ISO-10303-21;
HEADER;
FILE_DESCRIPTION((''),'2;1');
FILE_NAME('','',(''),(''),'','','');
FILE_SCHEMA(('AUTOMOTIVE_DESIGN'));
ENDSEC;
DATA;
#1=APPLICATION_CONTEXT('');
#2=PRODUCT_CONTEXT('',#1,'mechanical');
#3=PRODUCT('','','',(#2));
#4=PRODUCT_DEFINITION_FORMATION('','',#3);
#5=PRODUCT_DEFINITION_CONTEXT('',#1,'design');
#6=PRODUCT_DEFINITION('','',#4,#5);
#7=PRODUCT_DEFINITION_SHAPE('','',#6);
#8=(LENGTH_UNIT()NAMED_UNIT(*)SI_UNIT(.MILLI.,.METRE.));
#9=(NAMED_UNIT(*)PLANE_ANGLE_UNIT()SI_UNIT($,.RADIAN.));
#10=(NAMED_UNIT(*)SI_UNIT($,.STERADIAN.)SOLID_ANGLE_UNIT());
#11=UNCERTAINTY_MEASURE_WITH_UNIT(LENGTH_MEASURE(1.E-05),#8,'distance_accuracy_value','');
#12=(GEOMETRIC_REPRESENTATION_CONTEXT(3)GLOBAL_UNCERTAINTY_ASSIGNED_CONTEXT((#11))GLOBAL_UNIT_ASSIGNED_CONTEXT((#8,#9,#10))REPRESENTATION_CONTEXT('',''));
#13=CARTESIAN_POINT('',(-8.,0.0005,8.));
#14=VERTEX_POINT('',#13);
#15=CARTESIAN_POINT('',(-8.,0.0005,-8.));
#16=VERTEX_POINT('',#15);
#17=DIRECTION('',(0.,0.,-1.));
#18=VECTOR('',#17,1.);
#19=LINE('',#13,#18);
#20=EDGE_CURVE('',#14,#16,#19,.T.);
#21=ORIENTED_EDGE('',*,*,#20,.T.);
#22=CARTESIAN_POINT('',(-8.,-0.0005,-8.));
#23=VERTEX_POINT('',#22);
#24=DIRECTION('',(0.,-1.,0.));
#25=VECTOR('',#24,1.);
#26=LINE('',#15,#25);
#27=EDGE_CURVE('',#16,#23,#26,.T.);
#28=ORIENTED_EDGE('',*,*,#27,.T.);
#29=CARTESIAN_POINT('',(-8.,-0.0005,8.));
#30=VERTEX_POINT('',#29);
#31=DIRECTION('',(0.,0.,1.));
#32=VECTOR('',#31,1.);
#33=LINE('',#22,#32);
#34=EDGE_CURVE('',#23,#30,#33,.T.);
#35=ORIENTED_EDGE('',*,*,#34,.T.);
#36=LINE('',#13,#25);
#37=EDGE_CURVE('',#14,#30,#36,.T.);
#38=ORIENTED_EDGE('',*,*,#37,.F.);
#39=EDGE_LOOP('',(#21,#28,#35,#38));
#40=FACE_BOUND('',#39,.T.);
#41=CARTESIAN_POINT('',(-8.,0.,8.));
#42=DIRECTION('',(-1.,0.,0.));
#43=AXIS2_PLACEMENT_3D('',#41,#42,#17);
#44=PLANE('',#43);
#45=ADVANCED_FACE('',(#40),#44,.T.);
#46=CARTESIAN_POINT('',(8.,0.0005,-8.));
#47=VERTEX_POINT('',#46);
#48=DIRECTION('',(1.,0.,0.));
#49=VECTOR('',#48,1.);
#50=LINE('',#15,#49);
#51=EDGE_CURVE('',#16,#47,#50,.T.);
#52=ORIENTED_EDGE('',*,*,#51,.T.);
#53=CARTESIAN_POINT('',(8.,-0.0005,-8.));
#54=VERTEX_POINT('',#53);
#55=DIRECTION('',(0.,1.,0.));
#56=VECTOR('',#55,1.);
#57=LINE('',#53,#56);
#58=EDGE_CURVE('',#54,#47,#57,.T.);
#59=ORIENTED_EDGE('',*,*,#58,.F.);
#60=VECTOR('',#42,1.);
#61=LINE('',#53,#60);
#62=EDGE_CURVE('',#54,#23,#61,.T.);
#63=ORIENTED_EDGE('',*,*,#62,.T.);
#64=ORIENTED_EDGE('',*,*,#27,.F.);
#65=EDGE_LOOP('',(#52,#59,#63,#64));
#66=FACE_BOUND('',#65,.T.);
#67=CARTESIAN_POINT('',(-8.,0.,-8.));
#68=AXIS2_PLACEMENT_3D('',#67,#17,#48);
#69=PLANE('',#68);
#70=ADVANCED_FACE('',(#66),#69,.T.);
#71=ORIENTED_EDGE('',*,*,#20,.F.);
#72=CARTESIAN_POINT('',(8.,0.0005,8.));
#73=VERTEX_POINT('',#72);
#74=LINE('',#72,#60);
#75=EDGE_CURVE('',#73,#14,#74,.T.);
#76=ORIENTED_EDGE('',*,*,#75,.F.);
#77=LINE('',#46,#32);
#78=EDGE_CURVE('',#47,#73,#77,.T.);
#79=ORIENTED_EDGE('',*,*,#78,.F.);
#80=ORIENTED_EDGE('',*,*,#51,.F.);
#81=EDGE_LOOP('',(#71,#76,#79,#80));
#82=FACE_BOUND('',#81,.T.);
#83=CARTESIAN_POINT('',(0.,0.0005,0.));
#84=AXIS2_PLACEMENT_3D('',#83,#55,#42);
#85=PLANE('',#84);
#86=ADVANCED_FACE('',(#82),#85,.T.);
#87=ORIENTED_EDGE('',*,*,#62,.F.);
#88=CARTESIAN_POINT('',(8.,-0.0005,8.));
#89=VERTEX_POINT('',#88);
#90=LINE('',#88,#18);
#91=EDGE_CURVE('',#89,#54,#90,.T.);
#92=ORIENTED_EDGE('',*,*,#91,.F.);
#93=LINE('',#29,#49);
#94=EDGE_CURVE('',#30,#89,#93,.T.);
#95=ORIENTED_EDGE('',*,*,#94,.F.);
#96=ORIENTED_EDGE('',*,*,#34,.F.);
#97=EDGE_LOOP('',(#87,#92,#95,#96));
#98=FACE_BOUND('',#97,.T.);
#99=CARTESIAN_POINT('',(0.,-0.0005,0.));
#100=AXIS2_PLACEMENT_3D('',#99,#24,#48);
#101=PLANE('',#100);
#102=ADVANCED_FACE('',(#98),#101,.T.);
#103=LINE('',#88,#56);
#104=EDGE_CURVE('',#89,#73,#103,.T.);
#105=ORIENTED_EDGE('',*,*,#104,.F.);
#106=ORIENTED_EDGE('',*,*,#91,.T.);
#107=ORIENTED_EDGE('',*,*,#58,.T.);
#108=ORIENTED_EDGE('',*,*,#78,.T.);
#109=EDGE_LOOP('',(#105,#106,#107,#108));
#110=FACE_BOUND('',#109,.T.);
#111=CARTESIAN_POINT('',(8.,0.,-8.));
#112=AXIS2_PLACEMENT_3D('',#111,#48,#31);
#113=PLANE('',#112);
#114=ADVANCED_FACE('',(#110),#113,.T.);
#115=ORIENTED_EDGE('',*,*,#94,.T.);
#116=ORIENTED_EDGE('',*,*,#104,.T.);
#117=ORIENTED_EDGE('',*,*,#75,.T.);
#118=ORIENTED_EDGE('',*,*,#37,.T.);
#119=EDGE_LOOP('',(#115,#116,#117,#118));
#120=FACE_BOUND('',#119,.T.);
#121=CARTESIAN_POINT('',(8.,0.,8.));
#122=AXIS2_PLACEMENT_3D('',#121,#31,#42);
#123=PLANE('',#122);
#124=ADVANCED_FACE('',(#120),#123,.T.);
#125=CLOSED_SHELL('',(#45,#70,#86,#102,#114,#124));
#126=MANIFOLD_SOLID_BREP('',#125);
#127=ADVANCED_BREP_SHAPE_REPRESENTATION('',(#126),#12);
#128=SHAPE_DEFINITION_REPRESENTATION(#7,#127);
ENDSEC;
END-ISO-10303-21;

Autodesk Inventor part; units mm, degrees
ref_plane "YZ Plane" through (0, 0, 0) normal (1, 0, 0) x (0, 1, 0)
sketch "Sketch1" plane through (0, 0, 0) normal (0, 1, 0) x (-1, 0, 0)
  line L0 (-8, 8) -> (8, 8)
  line L1 (8, 8) -> (8, -8)
  line L2 (8, -8) -> (-8, -8)
  line L3 (-8, -8) -> (-8, 8)
  line L4 (-8, 8) -> (8, -8) construction
  line L5 (8, 8) -> (-8, -8) construction
  point P0 (0, 0)
  dimension "d0" = 16
  dimension "d1" = 16
extrude "Extrusion1" add sketch "Sketch1" along normal blind 0.0005
sketch "Sketch2" plane through (0, 0, 0) normal (0, -1, 0) x (1, 0, 0)
  line L0 (8, -8) -> (-8, -8) projected
  line L1 (-8, 8) -> (8, 8)
  line L2 (8, 8) -> (8, -8)
  line L3 (8, -8) -> (-8, -8)
  line L4 (-8, -8) -> (-8, 8)
  line L5 (-8, 8) -> (8, -8) construction
  line L6 (8, 8) -> (-8, -8) construction
  point P0 (0, 0)
extrude "Extrusion2" add sketch "Sketch2" along normal blind 0.0005
ref_plane "Work Plane2" through (0, 0, 0) normal (0, 1, 0) x (1, 0, 0)
ref_plane "Work Plane3" through (0, 0, 0) normal (0, 0, 1) x (1, 0, 0)
ref_plane "Work Plane1" through (0, 0, 0) normal (-1, 0, 0) x (0, 0, -1)
sketch "Sketch4" plane through (0, 0, 0) normal (0, 0, 1) x (1, 0, 0)
  line L0 (0, 0) -> (-1.8844, 5.7996)
  line L1 (0, 0) -> (6.098, 0) construction
  line L2 (0, 0) -> (1.7067, -5.2527)
  line L3 (0, 0) -> (5.523, 0) construction
  dimension "d12" = 108
  dimension "d13" = 72
ref_plane "Work Plane8" through (0, 0, 0) normal (-0.309, 0.9511, 0) x (-0.9511, -0.309, 0)
ref_plane "Work Plane10" through (0, 0, 0) normal (0.9511, 0.309, 0) x (-0.309, 0.9511, 0)
ref_plane "Work Plane9" through (0, 0, 0) normal (0, 0, 1) x (-0.309, 0.9511, 0)
sketch "Sketch5" plane through (0, 0, 0) normal (0.9511, 0.309, 0) x (-0.309, 0.9511, 0)
  line L0 (0, 0) -> (-5.1358, 0.4042)
  line L1 (0, 0) -> (5.1517, 0) construction
  dimension "d15" = 175.5
ref_plane "Work Plane11" through (0, 0, 0) normal (0.3081, -0.9481, 0.0785) x (0.9511, 0.309, 0)
properties part number "deflection_plane"
